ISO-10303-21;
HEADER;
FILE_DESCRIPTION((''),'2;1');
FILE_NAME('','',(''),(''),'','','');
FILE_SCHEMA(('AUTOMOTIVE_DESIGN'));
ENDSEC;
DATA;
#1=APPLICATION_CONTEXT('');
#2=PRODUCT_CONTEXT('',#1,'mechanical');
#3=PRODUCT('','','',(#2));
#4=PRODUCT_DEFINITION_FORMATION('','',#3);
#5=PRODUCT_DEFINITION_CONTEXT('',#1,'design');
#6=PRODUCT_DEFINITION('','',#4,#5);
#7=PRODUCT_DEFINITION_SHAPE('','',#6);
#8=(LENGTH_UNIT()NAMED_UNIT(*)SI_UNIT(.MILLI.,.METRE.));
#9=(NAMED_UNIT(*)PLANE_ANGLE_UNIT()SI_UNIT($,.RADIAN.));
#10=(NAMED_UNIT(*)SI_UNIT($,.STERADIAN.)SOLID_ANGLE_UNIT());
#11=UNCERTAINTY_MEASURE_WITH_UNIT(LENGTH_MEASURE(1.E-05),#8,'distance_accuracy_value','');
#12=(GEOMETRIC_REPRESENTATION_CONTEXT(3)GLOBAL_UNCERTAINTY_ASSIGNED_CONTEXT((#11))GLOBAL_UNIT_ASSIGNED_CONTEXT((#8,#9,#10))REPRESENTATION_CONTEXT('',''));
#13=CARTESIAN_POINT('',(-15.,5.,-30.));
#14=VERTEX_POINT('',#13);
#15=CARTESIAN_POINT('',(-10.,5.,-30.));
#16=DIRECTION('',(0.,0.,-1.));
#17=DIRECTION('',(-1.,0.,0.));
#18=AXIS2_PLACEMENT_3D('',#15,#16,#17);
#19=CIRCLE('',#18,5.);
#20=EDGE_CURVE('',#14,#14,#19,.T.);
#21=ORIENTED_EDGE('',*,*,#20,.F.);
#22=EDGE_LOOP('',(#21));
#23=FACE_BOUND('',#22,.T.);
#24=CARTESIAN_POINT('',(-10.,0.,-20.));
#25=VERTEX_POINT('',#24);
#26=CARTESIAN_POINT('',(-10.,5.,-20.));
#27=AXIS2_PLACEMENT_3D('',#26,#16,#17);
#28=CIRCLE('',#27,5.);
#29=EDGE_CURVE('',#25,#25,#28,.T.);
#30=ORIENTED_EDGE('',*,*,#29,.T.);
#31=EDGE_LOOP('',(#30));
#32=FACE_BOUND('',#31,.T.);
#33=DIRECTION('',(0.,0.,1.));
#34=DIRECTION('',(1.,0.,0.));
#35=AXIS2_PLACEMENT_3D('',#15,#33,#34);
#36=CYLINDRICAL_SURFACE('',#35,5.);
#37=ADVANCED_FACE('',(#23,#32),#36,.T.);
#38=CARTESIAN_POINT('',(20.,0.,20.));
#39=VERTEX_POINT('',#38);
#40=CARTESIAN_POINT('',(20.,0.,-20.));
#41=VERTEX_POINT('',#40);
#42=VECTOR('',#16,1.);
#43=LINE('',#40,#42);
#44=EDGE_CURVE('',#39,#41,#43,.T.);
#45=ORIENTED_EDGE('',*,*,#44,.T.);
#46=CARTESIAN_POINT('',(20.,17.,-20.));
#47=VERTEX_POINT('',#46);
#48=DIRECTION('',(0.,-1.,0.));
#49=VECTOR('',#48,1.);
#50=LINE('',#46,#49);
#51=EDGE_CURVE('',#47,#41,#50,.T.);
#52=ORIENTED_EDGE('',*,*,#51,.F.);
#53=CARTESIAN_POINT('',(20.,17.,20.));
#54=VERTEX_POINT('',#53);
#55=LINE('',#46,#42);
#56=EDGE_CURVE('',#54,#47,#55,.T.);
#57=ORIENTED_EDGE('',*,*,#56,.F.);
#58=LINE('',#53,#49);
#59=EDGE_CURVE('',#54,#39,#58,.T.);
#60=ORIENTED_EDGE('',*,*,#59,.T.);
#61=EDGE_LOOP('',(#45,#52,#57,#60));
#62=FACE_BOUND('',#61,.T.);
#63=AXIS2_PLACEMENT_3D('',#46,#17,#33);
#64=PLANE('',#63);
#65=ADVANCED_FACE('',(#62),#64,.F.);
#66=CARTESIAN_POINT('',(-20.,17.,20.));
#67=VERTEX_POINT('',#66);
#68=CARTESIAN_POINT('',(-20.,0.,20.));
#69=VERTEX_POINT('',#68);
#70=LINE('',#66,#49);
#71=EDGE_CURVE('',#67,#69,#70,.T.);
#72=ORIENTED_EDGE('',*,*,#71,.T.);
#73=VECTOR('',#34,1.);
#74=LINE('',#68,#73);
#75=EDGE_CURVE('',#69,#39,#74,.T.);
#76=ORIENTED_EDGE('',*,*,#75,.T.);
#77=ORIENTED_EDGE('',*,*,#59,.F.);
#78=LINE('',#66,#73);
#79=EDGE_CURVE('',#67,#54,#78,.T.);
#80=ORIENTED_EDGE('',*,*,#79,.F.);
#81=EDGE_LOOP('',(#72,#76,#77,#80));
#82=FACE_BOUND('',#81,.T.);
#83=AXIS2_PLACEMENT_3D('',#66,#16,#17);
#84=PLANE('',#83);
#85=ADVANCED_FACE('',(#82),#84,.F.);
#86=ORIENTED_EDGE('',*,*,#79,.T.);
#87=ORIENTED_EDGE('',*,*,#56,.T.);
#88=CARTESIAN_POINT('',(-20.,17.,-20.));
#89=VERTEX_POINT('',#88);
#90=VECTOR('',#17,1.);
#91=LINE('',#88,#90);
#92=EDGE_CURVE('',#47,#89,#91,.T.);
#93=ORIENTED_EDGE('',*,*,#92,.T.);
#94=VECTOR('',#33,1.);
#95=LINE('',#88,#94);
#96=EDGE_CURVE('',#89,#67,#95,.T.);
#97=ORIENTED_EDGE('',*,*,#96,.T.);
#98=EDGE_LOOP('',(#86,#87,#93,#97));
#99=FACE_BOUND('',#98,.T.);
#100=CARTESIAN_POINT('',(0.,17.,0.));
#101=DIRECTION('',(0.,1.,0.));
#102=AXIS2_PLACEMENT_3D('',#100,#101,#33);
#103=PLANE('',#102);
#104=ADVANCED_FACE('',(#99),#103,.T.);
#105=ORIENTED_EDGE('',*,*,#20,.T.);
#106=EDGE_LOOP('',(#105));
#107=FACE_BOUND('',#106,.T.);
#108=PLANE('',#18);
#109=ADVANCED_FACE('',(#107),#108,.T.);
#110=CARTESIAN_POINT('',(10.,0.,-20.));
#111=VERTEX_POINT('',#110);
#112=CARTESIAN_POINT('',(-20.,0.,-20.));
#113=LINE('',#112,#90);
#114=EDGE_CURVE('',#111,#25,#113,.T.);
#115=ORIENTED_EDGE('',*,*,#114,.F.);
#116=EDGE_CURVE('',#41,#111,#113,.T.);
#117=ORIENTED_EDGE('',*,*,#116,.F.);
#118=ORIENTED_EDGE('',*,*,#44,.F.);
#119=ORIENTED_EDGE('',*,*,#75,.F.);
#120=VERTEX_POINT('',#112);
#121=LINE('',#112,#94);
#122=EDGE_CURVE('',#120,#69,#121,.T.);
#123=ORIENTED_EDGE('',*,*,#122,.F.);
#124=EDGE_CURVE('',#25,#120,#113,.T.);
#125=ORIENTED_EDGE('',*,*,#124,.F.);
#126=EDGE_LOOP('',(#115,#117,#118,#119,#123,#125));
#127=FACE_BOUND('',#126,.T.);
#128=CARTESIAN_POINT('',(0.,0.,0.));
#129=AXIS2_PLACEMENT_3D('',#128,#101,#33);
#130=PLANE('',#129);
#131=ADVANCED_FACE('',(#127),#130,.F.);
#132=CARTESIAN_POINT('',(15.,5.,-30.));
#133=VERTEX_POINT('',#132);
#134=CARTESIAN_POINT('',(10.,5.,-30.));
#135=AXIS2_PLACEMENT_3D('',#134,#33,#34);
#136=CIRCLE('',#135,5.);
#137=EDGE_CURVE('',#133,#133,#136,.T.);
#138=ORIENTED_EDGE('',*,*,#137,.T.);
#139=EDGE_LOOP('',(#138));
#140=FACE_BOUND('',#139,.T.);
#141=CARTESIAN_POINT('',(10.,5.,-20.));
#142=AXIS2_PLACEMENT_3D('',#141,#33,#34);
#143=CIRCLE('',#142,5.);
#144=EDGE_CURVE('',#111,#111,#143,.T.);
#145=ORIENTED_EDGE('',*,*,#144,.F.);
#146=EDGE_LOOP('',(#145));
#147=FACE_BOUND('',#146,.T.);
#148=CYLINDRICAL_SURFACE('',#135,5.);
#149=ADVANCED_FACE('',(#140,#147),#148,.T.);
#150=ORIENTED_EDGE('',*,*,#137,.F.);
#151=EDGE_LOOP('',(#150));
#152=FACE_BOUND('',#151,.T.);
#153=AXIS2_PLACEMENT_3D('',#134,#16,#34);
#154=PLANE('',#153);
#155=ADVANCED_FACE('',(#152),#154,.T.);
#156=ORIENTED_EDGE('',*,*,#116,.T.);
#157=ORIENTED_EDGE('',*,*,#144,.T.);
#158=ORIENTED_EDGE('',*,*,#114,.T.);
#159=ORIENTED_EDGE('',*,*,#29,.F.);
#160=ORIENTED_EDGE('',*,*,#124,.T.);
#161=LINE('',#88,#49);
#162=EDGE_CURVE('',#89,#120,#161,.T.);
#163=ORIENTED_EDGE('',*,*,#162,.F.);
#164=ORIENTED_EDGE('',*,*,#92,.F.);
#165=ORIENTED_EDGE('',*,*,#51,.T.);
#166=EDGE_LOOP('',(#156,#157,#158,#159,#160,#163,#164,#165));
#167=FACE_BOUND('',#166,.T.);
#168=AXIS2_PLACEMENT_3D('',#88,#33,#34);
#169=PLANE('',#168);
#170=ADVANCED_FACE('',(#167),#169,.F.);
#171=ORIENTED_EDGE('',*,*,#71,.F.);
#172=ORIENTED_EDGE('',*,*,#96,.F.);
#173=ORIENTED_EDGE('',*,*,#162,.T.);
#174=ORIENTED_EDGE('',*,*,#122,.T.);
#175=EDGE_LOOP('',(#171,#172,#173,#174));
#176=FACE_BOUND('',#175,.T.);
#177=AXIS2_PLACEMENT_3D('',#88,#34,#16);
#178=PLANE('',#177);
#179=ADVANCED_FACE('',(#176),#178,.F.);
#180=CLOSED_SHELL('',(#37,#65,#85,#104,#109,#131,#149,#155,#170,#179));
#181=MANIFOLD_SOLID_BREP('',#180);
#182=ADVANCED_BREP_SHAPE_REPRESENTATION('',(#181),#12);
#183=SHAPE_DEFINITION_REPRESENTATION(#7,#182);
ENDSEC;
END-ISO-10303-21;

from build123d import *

# Parameters (mm, degrees)
SKETCH1_W           = 40
SKETCH1_H           = 40
BOSS_EXTRUDE1_DEPTH = 17
SKETCH2_R           = 5
BOSS_EXTRUDE2_DEPTH = 10


with BuildPart() as part:
    # Sketch1 → Boss-Extrude1 (new body)
    with BuildSketch(Plane(origin=(0, 0, 0), x_dir=(1, 0, 0), z_dir=(0, 1, 0))):
        Rectangle(SKETCH1_W, SKETCH1_H)
    extrude(amount=BOSS_EXTRUDE1_DEPTH)

    # Sketch2 → Boss-Extrude2 (add)
    with BuildSketch(Plane(origin=(0, 0, -20), x_dir=(-1, 0, 0), z_dir=(0, 0, -1))):
        with Locations((10, 5)):
            Circle(SKETCH2_R)
    boss_extrude2 = extrude(amount=BOSS_EXTRUDE2_DEPTH)

    # Mirror1: Boss-Extrude2 across plane
    add(boss_extrude2.mirror(Plane(origin=(0, 0, 0), x_dir=(0, 0, 1), z_dir=(1, 0, 0))))


solid = part.part
